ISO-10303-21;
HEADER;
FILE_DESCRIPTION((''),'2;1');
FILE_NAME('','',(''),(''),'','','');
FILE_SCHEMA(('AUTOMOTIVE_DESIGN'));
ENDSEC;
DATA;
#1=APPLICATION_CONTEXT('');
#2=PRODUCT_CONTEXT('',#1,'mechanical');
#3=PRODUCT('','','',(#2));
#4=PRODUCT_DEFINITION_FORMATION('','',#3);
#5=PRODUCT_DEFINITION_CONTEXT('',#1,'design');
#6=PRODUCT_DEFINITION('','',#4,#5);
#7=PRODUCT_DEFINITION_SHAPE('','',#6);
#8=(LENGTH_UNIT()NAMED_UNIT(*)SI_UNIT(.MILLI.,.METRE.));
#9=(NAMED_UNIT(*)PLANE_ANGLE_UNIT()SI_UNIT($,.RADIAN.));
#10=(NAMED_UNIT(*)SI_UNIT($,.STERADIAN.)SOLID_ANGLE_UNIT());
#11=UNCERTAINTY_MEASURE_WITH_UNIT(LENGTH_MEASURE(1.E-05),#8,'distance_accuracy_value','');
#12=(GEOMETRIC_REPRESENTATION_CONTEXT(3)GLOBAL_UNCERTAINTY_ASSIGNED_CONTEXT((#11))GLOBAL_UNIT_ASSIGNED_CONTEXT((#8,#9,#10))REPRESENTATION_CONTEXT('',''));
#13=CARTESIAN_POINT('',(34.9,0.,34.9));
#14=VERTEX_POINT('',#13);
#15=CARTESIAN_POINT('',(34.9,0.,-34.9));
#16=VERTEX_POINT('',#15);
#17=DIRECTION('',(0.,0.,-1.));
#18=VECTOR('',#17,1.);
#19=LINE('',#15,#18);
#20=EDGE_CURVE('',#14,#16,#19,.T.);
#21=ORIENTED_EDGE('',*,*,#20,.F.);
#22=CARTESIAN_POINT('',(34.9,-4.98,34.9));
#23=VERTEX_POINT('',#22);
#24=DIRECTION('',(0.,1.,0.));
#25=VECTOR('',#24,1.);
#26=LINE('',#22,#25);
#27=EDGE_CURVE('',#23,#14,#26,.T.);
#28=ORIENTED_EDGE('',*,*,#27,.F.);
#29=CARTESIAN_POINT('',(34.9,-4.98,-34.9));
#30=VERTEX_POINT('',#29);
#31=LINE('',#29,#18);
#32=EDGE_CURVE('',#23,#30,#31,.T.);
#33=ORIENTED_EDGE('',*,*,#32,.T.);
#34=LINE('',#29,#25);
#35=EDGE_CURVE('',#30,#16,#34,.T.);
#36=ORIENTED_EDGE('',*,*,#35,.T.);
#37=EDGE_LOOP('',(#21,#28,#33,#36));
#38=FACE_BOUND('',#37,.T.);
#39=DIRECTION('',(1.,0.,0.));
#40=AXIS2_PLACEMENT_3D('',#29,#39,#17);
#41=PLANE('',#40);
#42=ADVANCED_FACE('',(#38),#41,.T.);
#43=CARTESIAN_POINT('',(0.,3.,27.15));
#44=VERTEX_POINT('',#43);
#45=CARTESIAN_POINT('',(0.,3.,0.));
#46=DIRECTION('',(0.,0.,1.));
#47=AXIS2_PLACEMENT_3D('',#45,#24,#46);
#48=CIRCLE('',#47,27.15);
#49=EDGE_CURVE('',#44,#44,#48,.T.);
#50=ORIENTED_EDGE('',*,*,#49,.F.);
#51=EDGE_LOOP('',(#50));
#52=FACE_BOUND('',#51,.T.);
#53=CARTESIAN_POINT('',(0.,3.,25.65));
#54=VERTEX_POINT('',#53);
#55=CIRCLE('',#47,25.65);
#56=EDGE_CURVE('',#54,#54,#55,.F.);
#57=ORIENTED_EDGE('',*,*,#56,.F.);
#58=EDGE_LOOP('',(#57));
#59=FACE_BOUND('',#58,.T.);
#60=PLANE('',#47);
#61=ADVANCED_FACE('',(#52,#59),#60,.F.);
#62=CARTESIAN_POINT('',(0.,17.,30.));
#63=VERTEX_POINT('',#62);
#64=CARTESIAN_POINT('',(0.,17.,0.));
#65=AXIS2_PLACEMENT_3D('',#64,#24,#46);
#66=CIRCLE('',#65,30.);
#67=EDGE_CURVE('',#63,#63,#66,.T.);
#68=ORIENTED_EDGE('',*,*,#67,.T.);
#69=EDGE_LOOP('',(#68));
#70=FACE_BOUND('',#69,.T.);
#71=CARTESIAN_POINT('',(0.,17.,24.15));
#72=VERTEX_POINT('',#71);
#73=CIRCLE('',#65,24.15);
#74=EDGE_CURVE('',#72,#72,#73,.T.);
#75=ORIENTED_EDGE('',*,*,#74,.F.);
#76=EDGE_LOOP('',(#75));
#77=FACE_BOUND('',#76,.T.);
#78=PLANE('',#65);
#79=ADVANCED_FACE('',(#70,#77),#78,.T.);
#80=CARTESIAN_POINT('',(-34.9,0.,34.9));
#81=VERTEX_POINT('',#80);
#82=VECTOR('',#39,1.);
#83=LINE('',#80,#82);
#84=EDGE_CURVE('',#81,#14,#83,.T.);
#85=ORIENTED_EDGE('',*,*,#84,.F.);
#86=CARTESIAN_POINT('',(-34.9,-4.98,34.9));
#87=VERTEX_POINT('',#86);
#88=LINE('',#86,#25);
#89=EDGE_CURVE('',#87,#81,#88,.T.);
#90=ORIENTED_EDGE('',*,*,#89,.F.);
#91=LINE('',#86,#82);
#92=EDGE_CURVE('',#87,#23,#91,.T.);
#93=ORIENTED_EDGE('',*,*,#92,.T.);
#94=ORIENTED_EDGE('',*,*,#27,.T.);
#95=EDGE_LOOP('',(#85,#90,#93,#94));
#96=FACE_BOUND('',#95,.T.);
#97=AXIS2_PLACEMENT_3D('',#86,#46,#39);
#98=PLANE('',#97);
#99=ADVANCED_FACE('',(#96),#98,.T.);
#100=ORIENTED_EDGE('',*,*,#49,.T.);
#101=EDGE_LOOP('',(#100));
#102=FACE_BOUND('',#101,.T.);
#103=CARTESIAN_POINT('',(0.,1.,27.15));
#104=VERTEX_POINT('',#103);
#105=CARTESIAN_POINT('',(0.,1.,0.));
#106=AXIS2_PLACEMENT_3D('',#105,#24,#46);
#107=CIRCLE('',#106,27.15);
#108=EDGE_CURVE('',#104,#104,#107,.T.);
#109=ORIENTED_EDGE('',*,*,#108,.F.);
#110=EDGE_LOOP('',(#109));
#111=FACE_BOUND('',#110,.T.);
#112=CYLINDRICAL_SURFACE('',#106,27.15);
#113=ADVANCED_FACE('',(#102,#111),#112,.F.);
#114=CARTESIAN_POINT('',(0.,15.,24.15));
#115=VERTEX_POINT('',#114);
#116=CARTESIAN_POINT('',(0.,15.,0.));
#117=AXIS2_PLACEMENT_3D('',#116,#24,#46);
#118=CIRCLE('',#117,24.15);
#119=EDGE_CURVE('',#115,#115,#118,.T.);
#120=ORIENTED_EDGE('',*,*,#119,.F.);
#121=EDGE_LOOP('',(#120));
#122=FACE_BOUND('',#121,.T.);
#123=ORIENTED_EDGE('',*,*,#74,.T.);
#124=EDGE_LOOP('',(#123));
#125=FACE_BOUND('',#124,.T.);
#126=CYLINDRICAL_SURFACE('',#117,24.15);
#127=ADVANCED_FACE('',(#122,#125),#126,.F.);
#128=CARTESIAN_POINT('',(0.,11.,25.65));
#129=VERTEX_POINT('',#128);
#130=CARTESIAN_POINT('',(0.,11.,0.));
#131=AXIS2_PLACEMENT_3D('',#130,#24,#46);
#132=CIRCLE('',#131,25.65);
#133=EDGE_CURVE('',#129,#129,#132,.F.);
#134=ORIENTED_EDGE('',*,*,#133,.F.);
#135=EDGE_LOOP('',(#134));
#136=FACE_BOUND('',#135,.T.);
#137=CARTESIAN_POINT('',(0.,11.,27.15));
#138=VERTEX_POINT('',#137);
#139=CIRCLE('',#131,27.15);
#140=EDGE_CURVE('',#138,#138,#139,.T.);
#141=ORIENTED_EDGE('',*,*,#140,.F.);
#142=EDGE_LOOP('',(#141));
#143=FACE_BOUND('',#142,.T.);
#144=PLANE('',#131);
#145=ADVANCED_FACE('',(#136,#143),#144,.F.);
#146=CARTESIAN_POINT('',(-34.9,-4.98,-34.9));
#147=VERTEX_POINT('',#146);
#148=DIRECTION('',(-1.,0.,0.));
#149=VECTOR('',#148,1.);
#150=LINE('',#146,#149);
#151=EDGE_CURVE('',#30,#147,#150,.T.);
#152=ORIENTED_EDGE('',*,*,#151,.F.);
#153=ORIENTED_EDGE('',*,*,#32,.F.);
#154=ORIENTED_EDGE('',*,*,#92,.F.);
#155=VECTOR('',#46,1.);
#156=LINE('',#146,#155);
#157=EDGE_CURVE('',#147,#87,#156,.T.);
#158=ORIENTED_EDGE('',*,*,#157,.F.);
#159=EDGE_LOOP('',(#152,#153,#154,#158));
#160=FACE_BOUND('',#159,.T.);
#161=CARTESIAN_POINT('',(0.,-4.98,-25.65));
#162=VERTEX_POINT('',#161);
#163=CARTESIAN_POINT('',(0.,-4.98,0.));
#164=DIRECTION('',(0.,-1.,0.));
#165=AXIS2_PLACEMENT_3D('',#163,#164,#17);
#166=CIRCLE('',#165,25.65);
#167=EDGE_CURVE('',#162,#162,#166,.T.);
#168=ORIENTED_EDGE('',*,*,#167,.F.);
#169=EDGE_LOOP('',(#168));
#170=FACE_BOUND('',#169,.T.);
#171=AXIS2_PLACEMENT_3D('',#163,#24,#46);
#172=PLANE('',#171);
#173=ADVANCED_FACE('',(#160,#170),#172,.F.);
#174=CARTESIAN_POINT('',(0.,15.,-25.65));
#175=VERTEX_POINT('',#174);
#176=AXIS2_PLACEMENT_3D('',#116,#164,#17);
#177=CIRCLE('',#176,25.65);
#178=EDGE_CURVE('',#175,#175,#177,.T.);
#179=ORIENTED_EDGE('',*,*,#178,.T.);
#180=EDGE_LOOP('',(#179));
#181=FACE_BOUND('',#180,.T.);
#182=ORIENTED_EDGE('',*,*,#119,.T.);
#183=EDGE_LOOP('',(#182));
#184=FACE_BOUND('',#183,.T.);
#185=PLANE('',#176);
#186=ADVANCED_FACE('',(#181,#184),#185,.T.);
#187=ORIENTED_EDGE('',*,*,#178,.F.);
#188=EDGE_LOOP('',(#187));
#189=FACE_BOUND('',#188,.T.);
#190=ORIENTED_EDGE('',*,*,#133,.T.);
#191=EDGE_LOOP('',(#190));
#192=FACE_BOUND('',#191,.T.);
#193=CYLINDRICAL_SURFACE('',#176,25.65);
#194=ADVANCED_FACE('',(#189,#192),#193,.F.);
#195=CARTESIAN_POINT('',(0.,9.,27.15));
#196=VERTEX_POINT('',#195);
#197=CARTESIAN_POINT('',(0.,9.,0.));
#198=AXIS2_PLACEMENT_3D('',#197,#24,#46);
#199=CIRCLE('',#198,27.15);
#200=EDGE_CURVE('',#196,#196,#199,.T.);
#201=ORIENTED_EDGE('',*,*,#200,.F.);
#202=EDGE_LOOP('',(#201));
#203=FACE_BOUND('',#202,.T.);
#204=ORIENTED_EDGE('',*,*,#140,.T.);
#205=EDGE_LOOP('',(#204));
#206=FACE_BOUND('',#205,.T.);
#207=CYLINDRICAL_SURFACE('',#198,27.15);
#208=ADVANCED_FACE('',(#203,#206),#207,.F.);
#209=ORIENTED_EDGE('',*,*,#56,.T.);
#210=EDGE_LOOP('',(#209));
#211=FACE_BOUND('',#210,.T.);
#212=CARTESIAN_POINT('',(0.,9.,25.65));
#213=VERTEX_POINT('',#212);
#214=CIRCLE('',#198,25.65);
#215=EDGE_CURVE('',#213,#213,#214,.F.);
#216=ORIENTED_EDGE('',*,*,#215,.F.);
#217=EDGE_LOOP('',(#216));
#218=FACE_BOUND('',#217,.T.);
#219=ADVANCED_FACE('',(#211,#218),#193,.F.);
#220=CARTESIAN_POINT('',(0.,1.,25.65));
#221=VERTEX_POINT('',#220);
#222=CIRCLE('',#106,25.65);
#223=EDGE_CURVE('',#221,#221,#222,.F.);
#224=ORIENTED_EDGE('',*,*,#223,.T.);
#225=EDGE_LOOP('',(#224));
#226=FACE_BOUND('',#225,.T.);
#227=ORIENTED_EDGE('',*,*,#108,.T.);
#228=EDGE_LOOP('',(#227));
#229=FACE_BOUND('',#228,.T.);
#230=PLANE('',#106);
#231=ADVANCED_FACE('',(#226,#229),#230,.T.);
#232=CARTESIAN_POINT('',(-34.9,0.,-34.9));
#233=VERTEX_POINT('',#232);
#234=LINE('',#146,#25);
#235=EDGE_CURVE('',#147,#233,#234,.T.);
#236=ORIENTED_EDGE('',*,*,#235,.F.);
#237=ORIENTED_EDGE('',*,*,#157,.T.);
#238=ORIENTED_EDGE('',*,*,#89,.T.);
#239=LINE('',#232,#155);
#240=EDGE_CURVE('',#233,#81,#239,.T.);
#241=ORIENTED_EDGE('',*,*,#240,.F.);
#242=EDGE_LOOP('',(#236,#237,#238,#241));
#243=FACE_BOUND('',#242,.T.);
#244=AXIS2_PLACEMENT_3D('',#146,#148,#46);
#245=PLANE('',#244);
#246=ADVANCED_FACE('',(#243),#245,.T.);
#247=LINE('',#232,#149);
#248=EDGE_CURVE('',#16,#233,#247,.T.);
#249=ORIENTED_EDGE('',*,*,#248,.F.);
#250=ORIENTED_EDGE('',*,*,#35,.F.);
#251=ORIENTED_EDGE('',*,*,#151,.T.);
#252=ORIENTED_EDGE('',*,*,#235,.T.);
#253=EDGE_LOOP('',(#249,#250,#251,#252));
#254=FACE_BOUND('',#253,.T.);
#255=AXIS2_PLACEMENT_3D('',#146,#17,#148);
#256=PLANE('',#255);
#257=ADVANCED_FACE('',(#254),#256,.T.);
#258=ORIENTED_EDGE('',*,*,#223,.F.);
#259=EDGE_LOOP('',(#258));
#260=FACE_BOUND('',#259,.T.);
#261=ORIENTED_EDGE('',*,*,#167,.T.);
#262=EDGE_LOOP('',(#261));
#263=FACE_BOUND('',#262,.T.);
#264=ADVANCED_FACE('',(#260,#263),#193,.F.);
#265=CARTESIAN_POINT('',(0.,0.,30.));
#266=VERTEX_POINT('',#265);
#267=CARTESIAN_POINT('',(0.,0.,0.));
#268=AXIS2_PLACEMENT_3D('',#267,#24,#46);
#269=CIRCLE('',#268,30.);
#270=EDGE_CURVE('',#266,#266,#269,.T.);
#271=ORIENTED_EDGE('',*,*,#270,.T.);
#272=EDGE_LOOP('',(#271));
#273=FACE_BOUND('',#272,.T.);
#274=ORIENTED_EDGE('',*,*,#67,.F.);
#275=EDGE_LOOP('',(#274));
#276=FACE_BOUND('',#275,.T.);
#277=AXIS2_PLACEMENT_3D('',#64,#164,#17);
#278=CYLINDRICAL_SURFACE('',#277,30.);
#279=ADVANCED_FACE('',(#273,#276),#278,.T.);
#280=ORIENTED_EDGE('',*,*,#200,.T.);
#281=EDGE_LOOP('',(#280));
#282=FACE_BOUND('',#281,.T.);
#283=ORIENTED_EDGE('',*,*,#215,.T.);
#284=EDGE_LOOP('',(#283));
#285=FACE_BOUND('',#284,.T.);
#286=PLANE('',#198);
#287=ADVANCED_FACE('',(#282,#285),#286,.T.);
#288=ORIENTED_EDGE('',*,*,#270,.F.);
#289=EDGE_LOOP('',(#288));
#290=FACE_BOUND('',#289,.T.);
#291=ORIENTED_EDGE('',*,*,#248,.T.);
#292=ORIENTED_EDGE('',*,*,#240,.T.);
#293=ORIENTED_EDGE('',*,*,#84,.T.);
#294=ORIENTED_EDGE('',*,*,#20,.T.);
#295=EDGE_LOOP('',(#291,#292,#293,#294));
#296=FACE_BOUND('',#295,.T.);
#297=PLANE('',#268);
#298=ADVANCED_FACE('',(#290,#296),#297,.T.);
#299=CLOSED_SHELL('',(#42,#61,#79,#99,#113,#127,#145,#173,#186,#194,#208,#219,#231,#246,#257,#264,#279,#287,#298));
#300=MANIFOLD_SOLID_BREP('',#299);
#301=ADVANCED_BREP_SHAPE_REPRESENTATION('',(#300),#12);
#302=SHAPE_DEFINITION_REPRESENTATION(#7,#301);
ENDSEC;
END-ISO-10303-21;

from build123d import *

# Parameters (mm, degrees)
SKETCH1_W           = 69.8
SKETCH1_H           = 69.8
BOSS_EXTRUDE1_DEPTH = 4.98
SKETCH2_R           = 30
BOSS_EXTRUDE2_DEPTH = 17
SKETCH3_R           = 25.65
CUT_EXTRUDE1_DEPTH  = 19.98
SKETCH4_R           = 24.15
CUT_EXTRUDE3_DEPTH  = 2
CUT_EXTRUDE4_START  = -6
SKETCH5_R           = 27.15
CUT_EXTRUDE4_DEPTH  = 2
CUT_EXTRUDE5_START  = -14
SKETCH5_2_R         = 27.15
CUT_EXTRUDE5_DEPTH  = 2


with BuildPart() as part:
    # Sketch1 → Boss-Extrude1 (new body)
    with BuildSketch(Plane(origin=(0, 0, 0), x_dir=(1, 0, 0), z_dir=(0, 1, 0))):
        Rectangle(SKETCH1_W, SKETCH1_H)
    extrude(amount=-BOSS_EXTRUDE1_DEPTH)

    # Sketch2 → Boss-Extrude2 (add)
    with BuildSketch(Plane(origin=(0, 0, 0), x_dir=(1, 0, 0), z_dir=(0, 1, 0))):
        Circle(SKETCH2_R)
    extrude(amount=BOSS_EXTRUDE2_DEPTH)

    # Sketch3 → Cut-Extrude1 (cut)
    with BuildSketch(Plane.XZ.offset(4.98)):
        Circle(SKETCH3_R)
    extrude(amount=-CUT_EXTRUDE1_DEPTH, mode=Mode.SUBTRACT)

    # Sketch4 → Cut-Extrude3 (cut)
    with BuildSketch(Plane(origin=(0, 17, 0), x_dir=(1, 0, 0), z_dir=(0, 1, 0))):
        Circle(SKETCH4_R)
    extrude(amount=-CUT_EXTRUDE3_DEPTH, mode=Mode.SUBTRACT)

    # Sketch5 → Cut-Extrude4 (cut)
    with BuildSketch(Plane(origin=(0, 17, 0), x_dir=(1, 0, 0), z_dir=(0, 1, 0)).offset(CUT_EXTRUDE4_START)):
        Circle(SKETCH5_R)
    extrude(amount=-CUT_EXTRUDE4_DEPTH, mode=Mode.SUBTRACT)

    # Sketch5<2> → Cut-Extrude5 (cut)
    with BuildSketch(Plane(origin=(0, 17, 0), x_dir=(1, 0, 0), z_dir=(0, 1, 0)).offset(CUT_EXTRUDE5_START)):
        Circle(SKETCH5_2_R)
    extrude(amount=-CUT_EXTRUDE5_DEPTH, mode=Mode.SUBTRACT)


solid = part.part
